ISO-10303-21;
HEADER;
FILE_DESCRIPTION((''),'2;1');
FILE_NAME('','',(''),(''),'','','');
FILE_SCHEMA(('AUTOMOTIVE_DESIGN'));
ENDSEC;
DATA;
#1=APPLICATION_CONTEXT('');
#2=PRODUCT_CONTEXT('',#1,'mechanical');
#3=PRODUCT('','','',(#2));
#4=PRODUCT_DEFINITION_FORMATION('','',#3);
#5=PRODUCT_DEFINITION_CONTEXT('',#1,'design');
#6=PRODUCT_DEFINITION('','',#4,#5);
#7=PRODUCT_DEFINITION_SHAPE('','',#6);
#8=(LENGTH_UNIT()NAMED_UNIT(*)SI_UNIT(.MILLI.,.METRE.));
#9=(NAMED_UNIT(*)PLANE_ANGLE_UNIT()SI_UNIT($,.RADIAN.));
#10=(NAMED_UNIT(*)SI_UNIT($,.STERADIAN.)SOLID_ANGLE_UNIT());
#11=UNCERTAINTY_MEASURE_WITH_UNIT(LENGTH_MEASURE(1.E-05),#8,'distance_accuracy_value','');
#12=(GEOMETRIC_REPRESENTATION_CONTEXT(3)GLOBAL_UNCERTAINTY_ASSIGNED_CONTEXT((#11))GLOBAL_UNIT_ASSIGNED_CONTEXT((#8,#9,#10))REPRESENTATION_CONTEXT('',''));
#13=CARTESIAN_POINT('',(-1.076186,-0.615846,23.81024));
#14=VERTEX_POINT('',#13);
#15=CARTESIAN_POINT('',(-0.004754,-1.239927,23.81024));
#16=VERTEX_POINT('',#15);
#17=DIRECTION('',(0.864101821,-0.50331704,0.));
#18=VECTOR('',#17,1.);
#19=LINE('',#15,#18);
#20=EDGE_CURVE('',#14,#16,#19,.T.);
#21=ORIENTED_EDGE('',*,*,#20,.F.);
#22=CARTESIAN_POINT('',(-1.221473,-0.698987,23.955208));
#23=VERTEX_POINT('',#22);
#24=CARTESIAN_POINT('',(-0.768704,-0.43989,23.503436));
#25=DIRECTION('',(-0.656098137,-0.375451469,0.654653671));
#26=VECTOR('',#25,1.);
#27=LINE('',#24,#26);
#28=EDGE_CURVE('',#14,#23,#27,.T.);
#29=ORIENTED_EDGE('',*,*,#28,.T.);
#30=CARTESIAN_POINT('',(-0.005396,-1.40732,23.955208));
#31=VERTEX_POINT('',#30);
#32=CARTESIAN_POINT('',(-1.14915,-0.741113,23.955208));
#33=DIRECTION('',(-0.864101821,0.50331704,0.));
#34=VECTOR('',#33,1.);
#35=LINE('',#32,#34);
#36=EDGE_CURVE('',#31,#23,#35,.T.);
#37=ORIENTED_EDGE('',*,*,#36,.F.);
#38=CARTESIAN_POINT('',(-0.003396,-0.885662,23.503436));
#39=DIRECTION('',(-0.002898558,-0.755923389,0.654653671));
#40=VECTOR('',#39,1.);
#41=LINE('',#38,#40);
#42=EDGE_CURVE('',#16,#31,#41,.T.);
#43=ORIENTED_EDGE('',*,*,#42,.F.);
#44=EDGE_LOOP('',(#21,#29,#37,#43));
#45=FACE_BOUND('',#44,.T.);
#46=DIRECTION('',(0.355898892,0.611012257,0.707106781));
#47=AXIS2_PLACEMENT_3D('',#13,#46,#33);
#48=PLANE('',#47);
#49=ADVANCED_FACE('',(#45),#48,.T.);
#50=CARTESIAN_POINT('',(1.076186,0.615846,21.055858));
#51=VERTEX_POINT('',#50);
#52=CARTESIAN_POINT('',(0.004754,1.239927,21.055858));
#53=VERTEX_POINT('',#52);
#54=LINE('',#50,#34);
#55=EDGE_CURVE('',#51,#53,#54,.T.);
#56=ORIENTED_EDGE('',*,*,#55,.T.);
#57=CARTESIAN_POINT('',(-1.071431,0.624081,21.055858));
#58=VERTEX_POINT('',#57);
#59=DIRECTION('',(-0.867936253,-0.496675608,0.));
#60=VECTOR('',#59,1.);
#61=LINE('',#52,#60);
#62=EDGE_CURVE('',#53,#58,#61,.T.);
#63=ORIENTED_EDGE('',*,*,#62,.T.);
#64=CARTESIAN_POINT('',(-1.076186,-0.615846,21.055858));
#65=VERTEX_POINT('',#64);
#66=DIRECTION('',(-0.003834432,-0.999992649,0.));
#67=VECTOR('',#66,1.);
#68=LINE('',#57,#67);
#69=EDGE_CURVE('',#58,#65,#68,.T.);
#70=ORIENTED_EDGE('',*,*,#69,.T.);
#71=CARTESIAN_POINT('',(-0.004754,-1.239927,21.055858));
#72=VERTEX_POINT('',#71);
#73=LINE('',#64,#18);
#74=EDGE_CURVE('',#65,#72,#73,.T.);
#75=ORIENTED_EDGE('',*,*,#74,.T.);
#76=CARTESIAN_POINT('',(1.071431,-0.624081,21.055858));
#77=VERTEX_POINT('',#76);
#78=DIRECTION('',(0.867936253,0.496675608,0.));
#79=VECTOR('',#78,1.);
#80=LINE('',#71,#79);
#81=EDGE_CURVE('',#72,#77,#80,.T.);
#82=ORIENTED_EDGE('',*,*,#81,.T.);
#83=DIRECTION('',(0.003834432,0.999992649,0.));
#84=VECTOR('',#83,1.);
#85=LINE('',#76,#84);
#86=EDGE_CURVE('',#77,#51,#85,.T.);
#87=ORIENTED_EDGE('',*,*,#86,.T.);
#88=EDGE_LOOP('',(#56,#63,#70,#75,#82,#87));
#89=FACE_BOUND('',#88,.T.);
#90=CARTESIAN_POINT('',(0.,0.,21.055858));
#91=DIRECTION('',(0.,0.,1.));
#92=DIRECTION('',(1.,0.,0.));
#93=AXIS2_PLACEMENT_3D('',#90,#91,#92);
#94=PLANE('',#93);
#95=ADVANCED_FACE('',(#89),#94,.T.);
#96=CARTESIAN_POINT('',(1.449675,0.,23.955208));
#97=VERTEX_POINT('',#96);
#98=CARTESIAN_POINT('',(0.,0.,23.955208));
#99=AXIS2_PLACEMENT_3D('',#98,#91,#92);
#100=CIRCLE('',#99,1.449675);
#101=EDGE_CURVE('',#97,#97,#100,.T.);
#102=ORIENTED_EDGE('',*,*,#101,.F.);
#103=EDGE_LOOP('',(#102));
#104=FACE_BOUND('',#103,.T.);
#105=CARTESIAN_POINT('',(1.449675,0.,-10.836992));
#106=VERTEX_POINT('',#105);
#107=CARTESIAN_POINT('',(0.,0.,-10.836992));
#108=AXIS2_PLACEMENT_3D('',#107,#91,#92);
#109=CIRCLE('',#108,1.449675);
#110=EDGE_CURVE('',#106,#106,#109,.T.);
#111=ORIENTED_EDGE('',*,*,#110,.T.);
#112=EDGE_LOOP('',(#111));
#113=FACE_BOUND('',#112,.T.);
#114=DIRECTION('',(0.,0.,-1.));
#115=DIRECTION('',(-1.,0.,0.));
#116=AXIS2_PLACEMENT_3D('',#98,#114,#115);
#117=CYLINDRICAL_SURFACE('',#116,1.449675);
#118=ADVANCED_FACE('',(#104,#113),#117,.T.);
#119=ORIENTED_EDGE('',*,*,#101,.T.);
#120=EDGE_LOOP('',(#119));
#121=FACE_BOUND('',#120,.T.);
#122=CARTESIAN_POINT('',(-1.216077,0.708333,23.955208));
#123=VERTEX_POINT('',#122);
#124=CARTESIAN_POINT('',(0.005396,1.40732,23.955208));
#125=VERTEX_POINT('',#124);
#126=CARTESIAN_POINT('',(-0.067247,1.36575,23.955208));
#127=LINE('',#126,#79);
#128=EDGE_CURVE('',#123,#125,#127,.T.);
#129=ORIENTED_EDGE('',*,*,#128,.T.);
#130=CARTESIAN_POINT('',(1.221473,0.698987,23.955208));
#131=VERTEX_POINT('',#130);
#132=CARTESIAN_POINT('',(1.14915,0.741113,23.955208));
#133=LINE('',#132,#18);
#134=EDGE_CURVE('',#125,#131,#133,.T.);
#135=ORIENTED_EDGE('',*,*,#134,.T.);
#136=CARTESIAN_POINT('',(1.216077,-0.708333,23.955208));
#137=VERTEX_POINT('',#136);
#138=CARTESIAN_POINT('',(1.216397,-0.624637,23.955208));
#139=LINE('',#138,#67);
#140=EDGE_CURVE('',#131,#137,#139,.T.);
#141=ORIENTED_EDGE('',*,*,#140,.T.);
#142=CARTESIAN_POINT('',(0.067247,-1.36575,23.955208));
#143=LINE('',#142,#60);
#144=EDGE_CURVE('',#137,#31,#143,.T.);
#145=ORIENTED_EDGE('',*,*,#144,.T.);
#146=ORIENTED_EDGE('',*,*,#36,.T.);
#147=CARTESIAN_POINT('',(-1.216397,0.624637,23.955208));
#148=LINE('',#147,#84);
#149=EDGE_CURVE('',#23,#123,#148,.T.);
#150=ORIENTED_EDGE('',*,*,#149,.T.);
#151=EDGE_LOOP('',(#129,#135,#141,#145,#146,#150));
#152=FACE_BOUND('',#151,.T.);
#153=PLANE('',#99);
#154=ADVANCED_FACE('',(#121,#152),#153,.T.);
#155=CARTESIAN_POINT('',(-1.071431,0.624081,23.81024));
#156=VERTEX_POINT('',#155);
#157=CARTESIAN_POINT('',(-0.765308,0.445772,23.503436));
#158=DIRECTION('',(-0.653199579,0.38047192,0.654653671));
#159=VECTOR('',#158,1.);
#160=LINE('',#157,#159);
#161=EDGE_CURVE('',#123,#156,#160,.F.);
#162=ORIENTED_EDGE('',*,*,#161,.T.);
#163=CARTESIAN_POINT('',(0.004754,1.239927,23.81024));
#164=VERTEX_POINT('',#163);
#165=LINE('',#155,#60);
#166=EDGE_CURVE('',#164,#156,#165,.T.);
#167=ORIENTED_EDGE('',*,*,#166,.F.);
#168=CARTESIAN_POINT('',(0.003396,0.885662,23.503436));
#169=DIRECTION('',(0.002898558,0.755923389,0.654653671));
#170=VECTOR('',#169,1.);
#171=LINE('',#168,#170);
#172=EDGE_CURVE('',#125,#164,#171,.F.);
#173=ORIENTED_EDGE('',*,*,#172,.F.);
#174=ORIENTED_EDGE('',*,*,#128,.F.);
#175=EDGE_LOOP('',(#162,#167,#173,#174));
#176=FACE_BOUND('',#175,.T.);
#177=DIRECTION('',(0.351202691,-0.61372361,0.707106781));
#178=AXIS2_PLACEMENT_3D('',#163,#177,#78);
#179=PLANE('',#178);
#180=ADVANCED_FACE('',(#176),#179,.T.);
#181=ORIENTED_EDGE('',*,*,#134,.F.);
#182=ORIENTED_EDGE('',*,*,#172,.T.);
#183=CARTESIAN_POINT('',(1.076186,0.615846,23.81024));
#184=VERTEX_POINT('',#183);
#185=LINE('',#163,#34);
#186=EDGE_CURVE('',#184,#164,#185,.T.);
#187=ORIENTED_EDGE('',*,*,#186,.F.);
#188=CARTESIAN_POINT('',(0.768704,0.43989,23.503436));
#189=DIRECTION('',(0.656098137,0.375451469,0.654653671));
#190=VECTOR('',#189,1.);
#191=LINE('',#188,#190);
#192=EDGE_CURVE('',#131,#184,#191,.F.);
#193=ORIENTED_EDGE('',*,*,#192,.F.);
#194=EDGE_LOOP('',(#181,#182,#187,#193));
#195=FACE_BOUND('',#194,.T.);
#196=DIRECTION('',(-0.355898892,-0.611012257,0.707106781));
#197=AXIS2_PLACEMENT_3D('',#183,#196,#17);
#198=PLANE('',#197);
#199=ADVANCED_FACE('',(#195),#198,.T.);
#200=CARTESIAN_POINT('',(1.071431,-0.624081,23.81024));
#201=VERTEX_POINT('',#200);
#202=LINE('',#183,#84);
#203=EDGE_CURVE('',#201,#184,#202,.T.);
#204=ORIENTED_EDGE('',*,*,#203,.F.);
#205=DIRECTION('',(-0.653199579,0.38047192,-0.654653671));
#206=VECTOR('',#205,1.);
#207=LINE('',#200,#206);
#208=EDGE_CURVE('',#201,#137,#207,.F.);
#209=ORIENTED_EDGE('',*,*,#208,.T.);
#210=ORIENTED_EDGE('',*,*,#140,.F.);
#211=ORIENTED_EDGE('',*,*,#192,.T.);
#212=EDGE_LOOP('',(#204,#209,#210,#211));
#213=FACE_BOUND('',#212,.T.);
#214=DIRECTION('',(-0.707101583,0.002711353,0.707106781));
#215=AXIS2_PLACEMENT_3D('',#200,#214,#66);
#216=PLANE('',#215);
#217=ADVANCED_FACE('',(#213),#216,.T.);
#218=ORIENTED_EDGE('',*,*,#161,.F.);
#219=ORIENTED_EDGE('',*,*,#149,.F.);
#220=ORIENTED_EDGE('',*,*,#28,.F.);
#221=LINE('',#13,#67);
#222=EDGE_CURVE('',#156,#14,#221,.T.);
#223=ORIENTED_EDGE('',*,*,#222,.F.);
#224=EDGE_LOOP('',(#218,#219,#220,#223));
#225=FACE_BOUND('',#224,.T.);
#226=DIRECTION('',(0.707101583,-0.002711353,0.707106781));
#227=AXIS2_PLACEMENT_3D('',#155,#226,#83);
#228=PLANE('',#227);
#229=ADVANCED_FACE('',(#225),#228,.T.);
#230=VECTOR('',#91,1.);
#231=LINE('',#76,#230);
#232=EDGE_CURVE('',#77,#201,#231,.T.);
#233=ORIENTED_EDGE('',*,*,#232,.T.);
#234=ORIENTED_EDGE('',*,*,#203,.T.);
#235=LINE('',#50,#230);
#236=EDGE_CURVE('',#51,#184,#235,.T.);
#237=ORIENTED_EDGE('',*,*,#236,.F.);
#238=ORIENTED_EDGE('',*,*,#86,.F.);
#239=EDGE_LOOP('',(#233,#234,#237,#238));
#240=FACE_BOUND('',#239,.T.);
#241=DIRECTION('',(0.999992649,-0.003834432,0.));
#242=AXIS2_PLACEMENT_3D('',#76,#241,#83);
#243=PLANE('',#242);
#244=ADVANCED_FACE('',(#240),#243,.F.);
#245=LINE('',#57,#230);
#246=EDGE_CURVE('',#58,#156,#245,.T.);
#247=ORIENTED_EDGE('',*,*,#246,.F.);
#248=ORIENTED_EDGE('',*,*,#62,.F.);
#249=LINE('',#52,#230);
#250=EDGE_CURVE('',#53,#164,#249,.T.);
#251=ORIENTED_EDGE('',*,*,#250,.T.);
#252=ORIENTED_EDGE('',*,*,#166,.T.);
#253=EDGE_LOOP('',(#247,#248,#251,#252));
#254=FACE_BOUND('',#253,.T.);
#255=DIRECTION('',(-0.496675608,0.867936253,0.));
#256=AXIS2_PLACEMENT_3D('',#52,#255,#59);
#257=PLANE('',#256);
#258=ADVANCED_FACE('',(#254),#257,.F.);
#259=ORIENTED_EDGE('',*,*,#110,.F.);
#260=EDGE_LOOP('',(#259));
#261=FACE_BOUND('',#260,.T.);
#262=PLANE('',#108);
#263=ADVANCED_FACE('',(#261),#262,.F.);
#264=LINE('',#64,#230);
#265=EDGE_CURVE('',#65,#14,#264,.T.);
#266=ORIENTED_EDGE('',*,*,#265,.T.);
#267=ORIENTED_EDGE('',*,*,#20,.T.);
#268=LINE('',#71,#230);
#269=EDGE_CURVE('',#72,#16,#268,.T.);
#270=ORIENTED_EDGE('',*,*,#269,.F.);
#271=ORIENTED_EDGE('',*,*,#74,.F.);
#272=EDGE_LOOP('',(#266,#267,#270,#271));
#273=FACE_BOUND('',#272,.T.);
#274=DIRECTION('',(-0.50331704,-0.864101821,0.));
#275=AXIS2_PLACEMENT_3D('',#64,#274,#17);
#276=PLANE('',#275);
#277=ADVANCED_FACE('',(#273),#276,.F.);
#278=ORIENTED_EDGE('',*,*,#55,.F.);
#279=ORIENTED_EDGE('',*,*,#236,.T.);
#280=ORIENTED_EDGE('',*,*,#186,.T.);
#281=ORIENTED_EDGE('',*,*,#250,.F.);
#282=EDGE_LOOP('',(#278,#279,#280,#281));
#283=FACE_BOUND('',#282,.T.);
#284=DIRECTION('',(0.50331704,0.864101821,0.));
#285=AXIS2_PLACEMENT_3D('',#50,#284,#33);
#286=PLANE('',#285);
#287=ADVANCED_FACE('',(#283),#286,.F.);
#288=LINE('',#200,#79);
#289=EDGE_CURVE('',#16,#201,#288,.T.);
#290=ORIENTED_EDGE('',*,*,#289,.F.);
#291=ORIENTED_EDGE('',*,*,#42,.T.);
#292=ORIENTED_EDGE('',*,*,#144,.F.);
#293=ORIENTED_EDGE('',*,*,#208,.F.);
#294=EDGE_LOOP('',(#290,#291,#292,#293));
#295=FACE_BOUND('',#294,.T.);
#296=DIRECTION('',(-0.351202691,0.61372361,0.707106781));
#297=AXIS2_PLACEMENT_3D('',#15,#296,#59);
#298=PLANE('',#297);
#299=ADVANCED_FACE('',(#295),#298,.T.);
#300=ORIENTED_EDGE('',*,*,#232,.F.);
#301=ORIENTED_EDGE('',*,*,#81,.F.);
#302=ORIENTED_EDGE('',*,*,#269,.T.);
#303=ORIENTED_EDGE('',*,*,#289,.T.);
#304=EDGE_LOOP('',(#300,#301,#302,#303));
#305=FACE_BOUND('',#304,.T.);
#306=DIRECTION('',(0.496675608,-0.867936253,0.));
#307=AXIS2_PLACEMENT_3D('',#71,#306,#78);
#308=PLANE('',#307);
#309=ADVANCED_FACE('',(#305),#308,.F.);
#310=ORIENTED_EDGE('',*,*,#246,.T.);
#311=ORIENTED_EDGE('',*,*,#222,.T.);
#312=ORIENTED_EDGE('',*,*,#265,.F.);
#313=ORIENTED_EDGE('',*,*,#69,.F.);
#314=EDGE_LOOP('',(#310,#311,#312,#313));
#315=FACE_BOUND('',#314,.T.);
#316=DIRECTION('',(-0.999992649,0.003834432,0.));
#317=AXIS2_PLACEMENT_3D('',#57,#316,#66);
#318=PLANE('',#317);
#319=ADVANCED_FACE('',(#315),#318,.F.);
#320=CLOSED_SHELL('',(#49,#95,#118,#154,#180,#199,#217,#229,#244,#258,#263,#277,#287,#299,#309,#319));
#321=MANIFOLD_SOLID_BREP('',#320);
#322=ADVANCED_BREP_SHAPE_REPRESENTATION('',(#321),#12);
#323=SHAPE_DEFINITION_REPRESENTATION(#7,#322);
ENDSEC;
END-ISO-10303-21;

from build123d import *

# Parameters (mm, degrees)
SKETCH1_R           = 0.5
BOSS_EXTRUDE1_DEPTH = 12
CUT_EXTRUDE1_DEPTH  = 1
CHAMFER1_SIZE       = 0.05
SCALE1_SCALE        = 1.9329
SCALE2_SCALE        = 1.5


with BuildPart() as part:
    # Sketch1 → Boss-Extrude1 (new body)
    with BuildSketch(Plane.XY):
        Circle(SKETCH1_R)
    extrude(amount=BOSS_EXTRUDE1_DEPTH)

    # Sketch2 → Cut-Extrude1 (cut)
    with BuildSketch(Plane.XY.offset(12)):
        Polygon((0.369541813, -0.215248582), (0.371181646, 0.212408307), (0.001639833, 0.427656888), (-0.369541813, 0.215248582), (-0.371181646, -0.212408307), (-0.001639833, -0.427656888), align=None)
    extrude(amount=-CUT_EXTRUDE1_DEPTH, mode=Mode.SUBTRACT)

    # Chamfer1
    chamfer1_edges = [part.edges().sort_by_distance(p)[0] for p in [
        (0.18395099, -0.321452735, 12),
        (0.370361729, -0.001420137, 12),
        (0.18641074, 0.320032598, 12),
        (-0.18395099, 0.321452735, 12),
        (-0.370361729, 0.001420137, 12),
        (-0.18641074, -0.320032598, 12),
    ]]
    chamfer(chamfer1_edges, length=CHAMFER1_SIZE)


with BuildPart() as part_1:
    # Scale1: scaled about (0, 0, 5.705631977)
    add(part.part.scale(SCALE1_SCALE).moved(Location((0, 0, -5.322784071))))


with BuildPart() as part_2:
    # Scale2: scaled about (0, 0, 5.705631977)
    add(part_1.part.scale(SCALE2_SCALE).moved(Location((0, 0, -2.852815989))))


solid = part_2.part
